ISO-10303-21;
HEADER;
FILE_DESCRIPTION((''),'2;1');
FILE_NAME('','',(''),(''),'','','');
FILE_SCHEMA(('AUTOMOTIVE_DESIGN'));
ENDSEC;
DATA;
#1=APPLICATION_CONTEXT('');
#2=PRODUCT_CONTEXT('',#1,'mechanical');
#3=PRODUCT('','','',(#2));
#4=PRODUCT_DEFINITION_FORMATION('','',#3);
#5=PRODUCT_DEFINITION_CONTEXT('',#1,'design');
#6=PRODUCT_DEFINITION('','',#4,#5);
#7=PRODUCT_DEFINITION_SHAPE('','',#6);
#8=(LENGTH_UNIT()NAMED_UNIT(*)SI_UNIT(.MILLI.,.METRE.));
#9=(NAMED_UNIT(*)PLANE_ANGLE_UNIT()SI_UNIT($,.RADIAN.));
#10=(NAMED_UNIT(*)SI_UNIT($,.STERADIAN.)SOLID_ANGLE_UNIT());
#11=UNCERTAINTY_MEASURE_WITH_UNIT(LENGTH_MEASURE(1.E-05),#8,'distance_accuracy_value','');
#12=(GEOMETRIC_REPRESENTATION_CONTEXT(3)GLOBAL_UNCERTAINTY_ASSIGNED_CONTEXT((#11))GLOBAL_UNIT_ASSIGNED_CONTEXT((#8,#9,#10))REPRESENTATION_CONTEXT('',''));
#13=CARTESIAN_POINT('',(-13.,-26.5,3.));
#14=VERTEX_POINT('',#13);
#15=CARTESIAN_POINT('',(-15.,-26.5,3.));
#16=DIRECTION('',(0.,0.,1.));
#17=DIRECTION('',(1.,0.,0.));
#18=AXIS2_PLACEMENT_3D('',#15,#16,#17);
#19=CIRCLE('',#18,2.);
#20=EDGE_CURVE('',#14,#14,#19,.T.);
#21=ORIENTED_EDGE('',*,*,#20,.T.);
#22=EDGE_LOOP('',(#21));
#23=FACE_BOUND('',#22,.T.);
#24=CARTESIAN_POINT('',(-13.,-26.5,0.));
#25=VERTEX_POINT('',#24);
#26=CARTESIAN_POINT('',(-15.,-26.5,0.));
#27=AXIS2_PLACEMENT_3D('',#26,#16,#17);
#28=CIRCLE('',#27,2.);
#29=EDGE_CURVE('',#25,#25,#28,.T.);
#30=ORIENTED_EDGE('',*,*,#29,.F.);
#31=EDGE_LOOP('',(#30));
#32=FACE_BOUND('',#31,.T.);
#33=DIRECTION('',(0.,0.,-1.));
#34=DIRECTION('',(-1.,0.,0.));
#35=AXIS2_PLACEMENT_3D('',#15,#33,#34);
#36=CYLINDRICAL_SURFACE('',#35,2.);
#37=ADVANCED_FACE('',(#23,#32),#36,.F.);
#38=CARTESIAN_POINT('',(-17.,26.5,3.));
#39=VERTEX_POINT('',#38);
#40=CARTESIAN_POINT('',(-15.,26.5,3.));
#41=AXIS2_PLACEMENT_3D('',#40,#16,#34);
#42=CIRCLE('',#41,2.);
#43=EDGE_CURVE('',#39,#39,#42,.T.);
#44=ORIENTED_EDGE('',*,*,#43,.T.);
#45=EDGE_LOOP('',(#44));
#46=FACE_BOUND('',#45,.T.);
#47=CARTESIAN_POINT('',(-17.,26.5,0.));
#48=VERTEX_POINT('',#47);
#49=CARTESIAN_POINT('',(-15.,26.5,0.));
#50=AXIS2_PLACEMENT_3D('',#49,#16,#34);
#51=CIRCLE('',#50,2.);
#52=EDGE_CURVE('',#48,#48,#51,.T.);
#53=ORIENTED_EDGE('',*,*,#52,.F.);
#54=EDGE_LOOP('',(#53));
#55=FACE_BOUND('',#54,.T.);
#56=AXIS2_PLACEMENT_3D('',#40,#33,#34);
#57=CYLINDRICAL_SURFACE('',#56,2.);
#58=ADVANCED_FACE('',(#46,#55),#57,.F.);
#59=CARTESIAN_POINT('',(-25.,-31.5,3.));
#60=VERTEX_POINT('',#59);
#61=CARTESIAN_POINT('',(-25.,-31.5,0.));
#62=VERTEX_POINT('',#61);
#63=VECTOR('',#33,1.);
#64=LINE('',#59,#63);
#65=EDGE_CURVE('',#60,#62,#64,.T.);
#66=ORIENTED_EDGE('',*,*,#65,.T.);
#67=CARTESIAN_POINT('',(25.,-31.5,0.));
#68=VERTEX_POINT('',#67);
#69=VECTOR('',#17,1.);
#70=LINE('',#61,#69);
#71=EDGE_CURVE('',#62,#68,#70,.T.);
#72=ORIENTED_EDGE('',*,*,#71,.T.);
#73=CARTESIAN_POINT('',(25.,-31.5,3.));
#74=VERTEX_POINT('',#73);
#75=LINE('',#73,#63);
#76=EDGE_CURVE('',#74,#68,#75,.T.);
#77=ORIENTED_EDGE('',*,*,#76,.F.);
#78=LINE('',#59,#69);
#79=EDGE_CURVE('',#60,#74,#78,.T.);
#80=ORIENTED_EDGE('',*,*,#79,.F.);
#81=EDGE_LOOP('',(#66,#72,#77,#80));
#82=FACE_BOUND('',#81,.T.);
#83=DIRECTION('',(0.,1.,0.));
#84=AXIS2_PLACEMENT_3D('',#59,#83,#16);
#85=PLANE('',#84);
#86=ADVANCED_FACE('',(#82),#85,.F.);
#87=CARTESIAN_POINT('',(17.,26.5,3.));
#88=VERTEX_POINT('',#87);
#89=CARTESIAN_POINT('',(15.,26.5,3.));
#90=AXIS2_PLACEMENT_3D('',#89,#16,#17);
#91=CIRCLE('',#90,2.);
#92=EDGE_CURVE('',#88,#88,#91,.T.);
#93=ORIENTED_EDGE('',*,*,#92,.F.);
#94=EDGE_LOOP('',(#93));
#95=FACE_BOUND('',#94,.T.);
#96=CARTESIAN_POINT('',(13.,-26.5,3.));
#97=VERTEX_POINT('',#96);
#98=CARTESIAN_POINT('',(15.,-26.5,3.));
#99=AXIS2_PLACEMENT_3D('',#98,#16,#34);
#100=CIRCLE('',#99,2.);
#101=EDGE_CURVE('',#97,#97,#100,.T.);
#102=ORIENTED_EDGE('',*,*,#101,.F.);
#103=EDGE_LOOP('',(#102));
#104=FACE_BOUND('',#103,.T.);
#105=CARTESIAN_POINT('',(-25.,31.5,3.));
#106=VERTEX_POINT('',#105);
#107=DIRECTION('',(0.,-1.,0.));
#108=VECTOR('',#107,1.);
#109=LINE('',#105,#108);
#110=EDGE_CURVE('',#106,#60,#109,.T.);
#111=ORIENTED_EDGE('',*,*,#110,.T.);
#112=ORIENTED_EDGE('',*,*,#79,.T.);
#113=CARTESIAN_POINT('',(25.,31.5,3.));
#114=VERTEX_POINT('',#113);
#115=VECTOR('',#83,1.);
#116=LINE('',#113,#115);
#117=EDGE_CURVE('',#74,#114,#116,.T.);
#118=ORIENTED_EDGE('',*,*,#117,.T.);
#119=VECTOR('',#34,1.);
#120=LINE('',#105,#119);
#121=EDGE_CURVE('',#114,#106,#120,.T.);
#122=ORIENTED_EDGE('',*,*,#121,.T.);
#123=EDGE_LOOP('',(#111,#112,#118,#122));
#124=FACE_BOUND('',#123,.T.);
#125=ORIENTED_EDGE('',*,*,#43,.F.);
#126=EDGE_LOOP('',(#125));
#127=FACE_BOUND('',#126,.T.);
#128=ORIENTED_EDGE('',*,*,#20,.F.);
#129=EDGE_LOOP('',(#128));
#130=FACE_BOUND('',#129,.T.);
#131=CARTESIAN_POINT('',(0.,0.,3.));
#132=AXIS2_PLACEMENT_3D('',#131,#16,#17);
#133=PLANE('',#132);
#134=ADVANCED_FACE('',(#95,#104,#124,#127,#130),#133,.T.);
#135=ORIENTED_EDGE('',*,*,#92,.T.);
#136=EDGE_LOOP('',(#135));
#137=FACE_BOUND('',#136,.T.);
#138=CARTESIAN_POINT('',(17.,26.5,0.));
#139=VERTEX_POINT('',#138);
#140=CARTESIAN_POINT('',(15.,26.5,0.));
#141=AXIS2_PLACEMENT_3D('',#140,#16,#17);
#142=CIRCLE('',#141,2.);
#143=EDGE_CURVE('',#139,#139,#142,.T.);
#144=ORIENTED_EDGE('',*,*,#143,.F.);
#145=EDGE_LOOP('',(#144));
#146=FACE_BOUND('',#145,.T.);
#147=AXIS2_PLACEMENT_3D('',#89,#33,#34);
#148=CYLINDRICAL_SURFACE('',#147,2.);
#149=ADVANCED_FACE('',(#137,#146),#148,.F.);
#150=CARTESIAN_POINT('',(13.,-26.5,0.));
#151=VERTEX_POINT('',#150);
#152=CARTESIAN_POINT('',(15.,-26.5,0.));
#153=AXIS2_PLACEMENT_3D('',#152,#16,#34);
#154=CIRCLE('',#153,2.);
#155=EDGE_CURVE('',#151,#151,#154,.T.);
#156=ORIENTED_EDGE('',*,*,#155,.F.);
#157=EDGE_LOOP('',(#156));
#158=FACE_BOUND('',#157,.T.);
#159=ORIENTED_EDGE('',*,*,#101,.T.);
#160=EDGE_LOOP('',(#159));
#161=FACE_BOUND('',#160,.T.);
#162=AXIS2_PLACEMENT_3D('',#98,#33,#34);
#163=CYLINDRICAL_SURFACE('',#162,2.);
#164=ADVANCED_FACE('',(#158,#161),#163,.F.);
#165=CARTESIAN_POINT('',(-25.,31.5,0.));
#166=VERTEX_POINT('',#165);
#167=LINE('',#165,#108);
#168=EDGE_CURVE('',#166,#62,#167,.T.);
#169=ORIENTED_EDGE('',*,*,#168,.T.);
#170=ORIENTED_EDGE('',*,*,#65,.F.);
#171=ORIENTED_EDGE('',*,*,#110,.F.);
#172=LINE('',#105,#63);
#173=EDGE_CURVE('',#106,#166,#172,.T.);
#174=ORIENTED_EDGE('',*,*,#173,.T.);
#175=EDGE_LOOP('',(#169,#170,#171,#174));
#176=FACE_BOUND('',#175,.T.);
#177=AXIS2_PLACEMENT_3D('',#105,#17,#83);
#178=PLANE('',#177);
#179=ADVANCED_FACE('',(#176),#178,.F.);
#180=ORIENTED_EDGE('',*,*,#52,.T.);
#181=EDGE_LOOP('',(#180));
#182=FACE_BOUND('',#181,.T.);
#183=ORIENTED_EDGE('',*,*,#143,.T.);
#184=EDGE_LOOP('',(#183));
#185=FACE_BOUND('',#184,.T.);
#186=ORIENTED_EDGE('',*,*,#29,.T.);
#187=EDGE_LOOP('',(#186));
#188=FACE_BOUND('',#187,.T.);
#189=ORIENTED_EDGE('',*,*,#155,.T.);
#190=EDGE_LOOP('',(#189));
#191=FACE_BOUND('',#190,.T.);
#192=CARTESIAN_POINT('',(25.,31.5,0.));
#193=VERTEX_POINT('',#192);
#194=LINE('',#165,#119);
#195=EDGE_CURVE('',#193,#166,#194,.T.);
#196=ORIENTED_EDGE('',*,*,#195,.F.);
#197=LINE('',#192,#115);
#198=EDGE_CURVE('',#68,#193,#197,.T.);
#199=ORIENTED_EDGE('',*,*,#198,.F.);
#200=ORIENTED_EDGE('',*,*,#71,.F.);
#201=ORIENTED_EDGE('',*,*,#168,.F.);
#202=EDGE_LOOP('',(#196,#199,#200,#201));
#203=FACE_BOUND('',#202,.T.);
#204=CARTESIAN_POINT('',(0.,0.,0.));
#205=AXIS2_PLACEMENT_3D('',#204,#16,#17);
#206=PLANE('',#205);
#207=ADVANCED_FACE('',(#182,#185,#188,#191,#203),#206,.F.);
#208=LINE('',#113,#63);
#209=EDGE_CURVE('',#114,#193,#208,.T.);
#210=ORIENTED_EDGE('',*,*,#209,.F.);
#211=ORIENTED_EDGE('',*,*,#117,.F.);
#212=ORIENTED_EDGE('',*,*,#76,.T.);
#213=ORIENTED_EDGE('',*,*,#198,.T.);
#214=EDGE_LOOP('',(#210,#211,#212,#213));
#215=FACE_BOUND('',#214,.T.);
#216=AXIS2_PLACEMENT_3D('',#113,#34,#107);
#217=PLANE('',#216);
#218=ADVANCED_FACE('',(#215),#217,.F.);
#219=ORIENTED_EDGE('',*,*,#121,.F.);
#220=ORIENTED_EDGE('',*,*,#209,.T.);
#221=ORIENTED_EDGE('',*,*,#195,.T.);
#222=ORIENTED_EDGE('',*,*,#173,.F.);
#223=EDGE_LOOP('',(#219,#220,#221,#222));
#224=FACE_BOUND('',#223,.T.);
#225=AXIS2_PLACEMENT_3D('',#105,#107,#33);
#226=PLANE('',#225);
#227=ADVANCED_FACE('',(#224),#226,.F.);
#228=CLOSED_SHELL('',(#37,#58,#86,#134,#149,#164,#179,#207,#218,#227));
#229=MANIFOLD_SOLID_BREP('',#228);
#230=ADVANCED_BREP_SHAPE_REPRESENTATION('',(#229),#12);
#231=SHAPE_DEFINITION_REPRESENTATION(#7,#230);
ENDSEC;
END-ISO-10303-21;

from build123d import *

# Parameters (mm, degrees)
CROQUIS1_W              = 50
CROQUIS1_H              = 63
CROQUIS1_R              = 2
SALIENTE_EXTRUIR1_DEPTH = 3


with BuildPart() as part:
    # Croquis1 → Saliente-Extruir1 (new body)
    with BuildSketch(Plane.XY):
        Rectangle(CROQUIS1_W, CROQUIS1_H)
        with Locations((-15, -26.5)):
            Circle(CROQUIS1_R, mode=Mode.SUBTRACT)
        with Locations((-15, 26.5)):
            Circle(CROQUIS1_R, mode=Mode.SUBTRACT)
        with Locations((15, -26.5)):
            Circle(CROQUIS1_R, mode=Mode.SUBTRACT)
        with Locations((15, 26.5)):
            Circle(CROQUIS1_R, mode=Mode.SUBTRACT)
    extrude(amount=SALIENTE_EXTRUIR1_DEPTH)


solid = part.part
